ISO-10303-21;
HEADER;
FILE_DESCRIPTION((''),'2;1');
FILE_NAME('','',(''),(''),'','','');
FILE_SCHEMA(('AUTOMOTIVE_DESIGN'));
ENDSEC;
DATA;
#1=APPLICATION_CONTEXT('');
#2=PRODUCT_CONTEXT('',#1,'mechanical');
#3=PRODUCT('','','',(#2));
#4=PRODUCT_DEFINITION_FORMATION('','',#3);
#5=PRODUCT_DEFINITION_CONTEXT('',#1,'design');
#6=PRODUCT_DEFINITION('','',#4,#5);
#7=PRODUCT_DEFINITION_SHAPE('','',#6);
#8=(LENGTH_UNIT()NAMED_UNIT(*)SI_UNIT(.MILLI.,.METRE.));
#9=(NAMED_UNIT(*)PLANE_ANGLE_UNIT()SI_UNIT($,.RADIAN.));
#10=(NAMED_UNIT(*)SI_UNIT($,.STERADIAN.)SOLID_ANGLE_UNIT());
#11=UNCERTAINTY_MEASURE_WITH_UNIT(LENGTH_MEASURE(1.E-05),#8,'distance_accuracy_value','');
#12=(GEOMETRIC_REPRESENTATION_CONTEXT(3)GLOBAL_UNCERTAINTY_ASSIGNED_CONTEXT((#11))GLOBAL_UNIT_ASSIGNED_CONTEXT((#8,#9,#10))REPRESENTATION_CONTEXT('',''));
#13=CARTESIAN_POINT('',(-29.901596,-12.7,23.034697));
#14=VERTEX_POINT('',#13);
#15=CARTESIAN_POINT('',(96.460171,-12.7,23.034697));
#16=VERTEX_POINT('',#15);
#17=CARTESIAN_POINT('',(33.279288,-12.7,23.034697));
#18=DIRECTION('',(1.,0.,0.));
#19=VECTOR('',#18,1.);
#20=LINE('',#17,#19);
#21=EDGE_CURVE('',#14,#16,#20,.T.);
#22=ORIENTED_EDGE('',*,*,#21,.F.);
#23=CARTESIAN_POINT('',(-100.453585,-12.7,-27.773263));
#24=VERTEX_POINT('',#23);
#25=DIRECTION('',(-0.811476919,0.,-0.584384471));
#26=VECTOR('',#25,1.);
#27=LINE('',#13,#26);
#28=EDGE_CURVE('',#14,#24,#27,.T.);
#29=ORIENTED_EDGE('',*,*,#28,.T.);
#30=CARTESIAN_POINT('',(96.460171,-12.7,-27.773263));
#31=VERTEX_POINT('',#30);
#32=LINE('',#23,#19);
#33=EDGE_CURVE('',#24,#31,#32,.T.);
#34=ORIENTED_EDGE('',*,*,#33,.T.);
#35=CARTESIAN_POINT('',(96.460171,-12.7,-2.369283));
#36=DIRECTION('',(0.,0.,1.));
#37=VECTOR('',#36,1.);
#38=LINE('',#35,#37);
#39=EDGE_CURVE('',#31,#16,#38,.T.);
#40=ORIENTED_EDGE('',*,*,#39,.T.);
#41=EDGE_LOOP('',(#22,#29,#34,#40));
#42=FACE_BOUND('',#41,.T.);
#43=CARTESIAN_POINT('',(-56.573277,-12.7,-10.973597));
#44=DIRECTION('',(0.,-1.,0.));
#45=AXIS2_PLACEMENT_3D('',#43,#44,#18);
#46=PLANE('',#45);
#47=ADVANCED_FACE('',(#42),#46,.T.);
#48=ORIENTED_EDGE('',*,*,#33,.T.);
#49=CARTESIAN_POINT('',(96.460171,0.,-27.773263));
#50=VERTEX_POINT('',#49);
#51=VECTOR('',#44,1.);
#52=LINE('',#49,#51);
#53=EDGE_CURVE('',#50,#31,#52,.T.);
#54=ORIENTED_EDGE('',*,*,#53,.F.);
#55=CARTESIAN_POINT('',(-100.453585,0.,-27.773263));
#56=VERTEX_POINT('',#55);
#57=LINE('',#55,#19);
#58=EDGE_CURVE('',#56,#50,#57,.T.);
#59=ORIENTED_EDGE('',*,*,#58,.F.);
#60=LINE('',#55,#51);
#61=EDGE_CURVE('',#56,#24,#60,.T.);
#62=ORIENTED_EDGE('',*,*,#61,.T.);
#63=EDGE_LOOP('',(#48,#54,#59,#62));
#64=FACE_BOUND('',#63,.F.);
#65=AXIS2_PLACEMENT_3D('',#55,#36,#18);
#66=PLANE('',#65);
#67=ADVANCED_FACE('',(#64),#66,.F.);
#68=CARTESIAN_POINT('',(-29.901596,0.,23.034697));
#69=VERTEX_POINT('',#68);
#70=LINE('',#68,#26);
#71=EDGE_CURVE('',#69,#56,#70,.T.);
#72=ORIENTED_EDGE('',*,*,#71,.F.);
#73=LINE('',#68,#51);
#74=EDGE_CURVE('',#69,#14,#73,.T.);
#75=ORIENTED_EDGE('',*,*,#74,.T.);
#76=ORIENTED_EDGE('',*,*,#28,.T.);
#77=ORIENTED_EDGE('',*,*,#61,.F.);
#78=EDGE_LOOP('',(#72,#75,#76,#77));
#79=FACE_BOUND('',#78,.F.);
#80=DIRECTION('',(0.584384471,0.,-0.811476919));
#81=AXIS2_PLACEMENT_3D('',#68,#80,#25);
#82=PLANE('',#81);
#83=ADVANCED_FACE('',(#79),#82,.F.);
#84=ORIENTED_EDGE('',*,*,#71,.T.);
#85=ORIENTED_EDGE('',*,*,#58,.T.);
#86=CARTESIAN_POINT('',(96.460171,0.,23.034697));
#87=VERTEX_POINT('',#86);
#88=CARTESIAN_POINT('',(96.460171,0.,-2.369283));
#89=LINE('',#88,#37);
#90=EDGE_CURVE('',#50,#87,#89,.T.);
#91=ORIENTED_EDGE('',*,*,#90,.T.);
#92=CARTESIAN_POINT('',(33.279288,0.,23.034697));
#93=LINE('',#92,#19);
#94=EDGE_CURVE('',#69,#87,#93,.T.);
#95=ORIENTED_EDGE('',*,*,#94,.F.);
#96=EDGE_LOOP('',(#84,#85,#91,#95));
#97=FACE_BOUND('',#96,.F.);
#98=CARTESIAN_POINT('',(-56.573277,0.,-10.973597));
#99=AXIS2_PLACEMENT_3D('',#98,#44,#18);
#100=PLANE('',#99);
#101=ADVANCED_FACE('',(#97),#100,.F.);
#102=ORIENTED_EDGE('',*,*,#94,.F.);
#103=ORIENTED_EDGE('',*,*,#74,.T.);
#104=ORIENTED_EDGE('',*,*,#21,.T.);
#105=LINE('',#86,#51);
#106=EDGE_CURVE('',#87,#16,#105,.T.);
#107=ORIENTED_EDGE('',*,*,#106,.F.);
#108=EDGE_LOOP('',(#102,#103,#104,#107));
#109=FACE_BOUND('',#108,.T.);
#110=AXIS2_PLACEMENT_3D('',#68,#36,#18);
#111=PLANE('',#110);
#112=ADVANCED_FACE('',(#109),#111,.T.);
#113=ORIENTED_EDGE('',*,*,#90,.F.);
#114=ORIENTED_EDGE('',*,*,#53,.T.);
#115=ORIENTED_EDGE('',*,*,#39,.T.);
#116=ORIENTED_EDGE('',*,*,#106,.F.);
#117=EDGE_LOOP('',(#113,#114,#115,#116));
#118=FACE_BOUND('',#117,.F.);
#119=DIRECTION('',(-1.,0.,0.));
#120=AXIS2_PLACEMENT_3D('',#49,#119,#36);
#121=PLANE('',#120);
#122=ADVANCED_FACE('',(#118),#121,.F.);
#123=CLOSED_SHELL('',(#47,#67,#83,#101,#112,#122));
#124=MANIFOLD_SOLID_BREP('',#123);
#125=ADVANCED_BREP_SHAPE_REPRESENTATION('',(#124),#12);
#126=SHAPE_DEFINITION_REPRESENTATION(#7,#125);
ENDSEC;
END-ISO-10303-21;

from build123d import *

# Parameters (mm, degrees)
F0_W     = 126.3617668301
F0_H     = 50.8079603314
F1_DEPTH = 12.7


with BuildPart() as f1:
    # F0 (on Front) → F1 (new body)
    with BuildSketch(Plane.XZ):
        Polygon((-29.9015957862, -27.7732629329), (-29.9015957862, 23.0346973985), (-100.4535853863, -27.7732629329), align=None)
        with Locations((33.2792876288, -2.3692827672)):
            Rectangle(F0_W, F0_H)
    extrude(amount=F1_DEPTH)


solid = f1.part
